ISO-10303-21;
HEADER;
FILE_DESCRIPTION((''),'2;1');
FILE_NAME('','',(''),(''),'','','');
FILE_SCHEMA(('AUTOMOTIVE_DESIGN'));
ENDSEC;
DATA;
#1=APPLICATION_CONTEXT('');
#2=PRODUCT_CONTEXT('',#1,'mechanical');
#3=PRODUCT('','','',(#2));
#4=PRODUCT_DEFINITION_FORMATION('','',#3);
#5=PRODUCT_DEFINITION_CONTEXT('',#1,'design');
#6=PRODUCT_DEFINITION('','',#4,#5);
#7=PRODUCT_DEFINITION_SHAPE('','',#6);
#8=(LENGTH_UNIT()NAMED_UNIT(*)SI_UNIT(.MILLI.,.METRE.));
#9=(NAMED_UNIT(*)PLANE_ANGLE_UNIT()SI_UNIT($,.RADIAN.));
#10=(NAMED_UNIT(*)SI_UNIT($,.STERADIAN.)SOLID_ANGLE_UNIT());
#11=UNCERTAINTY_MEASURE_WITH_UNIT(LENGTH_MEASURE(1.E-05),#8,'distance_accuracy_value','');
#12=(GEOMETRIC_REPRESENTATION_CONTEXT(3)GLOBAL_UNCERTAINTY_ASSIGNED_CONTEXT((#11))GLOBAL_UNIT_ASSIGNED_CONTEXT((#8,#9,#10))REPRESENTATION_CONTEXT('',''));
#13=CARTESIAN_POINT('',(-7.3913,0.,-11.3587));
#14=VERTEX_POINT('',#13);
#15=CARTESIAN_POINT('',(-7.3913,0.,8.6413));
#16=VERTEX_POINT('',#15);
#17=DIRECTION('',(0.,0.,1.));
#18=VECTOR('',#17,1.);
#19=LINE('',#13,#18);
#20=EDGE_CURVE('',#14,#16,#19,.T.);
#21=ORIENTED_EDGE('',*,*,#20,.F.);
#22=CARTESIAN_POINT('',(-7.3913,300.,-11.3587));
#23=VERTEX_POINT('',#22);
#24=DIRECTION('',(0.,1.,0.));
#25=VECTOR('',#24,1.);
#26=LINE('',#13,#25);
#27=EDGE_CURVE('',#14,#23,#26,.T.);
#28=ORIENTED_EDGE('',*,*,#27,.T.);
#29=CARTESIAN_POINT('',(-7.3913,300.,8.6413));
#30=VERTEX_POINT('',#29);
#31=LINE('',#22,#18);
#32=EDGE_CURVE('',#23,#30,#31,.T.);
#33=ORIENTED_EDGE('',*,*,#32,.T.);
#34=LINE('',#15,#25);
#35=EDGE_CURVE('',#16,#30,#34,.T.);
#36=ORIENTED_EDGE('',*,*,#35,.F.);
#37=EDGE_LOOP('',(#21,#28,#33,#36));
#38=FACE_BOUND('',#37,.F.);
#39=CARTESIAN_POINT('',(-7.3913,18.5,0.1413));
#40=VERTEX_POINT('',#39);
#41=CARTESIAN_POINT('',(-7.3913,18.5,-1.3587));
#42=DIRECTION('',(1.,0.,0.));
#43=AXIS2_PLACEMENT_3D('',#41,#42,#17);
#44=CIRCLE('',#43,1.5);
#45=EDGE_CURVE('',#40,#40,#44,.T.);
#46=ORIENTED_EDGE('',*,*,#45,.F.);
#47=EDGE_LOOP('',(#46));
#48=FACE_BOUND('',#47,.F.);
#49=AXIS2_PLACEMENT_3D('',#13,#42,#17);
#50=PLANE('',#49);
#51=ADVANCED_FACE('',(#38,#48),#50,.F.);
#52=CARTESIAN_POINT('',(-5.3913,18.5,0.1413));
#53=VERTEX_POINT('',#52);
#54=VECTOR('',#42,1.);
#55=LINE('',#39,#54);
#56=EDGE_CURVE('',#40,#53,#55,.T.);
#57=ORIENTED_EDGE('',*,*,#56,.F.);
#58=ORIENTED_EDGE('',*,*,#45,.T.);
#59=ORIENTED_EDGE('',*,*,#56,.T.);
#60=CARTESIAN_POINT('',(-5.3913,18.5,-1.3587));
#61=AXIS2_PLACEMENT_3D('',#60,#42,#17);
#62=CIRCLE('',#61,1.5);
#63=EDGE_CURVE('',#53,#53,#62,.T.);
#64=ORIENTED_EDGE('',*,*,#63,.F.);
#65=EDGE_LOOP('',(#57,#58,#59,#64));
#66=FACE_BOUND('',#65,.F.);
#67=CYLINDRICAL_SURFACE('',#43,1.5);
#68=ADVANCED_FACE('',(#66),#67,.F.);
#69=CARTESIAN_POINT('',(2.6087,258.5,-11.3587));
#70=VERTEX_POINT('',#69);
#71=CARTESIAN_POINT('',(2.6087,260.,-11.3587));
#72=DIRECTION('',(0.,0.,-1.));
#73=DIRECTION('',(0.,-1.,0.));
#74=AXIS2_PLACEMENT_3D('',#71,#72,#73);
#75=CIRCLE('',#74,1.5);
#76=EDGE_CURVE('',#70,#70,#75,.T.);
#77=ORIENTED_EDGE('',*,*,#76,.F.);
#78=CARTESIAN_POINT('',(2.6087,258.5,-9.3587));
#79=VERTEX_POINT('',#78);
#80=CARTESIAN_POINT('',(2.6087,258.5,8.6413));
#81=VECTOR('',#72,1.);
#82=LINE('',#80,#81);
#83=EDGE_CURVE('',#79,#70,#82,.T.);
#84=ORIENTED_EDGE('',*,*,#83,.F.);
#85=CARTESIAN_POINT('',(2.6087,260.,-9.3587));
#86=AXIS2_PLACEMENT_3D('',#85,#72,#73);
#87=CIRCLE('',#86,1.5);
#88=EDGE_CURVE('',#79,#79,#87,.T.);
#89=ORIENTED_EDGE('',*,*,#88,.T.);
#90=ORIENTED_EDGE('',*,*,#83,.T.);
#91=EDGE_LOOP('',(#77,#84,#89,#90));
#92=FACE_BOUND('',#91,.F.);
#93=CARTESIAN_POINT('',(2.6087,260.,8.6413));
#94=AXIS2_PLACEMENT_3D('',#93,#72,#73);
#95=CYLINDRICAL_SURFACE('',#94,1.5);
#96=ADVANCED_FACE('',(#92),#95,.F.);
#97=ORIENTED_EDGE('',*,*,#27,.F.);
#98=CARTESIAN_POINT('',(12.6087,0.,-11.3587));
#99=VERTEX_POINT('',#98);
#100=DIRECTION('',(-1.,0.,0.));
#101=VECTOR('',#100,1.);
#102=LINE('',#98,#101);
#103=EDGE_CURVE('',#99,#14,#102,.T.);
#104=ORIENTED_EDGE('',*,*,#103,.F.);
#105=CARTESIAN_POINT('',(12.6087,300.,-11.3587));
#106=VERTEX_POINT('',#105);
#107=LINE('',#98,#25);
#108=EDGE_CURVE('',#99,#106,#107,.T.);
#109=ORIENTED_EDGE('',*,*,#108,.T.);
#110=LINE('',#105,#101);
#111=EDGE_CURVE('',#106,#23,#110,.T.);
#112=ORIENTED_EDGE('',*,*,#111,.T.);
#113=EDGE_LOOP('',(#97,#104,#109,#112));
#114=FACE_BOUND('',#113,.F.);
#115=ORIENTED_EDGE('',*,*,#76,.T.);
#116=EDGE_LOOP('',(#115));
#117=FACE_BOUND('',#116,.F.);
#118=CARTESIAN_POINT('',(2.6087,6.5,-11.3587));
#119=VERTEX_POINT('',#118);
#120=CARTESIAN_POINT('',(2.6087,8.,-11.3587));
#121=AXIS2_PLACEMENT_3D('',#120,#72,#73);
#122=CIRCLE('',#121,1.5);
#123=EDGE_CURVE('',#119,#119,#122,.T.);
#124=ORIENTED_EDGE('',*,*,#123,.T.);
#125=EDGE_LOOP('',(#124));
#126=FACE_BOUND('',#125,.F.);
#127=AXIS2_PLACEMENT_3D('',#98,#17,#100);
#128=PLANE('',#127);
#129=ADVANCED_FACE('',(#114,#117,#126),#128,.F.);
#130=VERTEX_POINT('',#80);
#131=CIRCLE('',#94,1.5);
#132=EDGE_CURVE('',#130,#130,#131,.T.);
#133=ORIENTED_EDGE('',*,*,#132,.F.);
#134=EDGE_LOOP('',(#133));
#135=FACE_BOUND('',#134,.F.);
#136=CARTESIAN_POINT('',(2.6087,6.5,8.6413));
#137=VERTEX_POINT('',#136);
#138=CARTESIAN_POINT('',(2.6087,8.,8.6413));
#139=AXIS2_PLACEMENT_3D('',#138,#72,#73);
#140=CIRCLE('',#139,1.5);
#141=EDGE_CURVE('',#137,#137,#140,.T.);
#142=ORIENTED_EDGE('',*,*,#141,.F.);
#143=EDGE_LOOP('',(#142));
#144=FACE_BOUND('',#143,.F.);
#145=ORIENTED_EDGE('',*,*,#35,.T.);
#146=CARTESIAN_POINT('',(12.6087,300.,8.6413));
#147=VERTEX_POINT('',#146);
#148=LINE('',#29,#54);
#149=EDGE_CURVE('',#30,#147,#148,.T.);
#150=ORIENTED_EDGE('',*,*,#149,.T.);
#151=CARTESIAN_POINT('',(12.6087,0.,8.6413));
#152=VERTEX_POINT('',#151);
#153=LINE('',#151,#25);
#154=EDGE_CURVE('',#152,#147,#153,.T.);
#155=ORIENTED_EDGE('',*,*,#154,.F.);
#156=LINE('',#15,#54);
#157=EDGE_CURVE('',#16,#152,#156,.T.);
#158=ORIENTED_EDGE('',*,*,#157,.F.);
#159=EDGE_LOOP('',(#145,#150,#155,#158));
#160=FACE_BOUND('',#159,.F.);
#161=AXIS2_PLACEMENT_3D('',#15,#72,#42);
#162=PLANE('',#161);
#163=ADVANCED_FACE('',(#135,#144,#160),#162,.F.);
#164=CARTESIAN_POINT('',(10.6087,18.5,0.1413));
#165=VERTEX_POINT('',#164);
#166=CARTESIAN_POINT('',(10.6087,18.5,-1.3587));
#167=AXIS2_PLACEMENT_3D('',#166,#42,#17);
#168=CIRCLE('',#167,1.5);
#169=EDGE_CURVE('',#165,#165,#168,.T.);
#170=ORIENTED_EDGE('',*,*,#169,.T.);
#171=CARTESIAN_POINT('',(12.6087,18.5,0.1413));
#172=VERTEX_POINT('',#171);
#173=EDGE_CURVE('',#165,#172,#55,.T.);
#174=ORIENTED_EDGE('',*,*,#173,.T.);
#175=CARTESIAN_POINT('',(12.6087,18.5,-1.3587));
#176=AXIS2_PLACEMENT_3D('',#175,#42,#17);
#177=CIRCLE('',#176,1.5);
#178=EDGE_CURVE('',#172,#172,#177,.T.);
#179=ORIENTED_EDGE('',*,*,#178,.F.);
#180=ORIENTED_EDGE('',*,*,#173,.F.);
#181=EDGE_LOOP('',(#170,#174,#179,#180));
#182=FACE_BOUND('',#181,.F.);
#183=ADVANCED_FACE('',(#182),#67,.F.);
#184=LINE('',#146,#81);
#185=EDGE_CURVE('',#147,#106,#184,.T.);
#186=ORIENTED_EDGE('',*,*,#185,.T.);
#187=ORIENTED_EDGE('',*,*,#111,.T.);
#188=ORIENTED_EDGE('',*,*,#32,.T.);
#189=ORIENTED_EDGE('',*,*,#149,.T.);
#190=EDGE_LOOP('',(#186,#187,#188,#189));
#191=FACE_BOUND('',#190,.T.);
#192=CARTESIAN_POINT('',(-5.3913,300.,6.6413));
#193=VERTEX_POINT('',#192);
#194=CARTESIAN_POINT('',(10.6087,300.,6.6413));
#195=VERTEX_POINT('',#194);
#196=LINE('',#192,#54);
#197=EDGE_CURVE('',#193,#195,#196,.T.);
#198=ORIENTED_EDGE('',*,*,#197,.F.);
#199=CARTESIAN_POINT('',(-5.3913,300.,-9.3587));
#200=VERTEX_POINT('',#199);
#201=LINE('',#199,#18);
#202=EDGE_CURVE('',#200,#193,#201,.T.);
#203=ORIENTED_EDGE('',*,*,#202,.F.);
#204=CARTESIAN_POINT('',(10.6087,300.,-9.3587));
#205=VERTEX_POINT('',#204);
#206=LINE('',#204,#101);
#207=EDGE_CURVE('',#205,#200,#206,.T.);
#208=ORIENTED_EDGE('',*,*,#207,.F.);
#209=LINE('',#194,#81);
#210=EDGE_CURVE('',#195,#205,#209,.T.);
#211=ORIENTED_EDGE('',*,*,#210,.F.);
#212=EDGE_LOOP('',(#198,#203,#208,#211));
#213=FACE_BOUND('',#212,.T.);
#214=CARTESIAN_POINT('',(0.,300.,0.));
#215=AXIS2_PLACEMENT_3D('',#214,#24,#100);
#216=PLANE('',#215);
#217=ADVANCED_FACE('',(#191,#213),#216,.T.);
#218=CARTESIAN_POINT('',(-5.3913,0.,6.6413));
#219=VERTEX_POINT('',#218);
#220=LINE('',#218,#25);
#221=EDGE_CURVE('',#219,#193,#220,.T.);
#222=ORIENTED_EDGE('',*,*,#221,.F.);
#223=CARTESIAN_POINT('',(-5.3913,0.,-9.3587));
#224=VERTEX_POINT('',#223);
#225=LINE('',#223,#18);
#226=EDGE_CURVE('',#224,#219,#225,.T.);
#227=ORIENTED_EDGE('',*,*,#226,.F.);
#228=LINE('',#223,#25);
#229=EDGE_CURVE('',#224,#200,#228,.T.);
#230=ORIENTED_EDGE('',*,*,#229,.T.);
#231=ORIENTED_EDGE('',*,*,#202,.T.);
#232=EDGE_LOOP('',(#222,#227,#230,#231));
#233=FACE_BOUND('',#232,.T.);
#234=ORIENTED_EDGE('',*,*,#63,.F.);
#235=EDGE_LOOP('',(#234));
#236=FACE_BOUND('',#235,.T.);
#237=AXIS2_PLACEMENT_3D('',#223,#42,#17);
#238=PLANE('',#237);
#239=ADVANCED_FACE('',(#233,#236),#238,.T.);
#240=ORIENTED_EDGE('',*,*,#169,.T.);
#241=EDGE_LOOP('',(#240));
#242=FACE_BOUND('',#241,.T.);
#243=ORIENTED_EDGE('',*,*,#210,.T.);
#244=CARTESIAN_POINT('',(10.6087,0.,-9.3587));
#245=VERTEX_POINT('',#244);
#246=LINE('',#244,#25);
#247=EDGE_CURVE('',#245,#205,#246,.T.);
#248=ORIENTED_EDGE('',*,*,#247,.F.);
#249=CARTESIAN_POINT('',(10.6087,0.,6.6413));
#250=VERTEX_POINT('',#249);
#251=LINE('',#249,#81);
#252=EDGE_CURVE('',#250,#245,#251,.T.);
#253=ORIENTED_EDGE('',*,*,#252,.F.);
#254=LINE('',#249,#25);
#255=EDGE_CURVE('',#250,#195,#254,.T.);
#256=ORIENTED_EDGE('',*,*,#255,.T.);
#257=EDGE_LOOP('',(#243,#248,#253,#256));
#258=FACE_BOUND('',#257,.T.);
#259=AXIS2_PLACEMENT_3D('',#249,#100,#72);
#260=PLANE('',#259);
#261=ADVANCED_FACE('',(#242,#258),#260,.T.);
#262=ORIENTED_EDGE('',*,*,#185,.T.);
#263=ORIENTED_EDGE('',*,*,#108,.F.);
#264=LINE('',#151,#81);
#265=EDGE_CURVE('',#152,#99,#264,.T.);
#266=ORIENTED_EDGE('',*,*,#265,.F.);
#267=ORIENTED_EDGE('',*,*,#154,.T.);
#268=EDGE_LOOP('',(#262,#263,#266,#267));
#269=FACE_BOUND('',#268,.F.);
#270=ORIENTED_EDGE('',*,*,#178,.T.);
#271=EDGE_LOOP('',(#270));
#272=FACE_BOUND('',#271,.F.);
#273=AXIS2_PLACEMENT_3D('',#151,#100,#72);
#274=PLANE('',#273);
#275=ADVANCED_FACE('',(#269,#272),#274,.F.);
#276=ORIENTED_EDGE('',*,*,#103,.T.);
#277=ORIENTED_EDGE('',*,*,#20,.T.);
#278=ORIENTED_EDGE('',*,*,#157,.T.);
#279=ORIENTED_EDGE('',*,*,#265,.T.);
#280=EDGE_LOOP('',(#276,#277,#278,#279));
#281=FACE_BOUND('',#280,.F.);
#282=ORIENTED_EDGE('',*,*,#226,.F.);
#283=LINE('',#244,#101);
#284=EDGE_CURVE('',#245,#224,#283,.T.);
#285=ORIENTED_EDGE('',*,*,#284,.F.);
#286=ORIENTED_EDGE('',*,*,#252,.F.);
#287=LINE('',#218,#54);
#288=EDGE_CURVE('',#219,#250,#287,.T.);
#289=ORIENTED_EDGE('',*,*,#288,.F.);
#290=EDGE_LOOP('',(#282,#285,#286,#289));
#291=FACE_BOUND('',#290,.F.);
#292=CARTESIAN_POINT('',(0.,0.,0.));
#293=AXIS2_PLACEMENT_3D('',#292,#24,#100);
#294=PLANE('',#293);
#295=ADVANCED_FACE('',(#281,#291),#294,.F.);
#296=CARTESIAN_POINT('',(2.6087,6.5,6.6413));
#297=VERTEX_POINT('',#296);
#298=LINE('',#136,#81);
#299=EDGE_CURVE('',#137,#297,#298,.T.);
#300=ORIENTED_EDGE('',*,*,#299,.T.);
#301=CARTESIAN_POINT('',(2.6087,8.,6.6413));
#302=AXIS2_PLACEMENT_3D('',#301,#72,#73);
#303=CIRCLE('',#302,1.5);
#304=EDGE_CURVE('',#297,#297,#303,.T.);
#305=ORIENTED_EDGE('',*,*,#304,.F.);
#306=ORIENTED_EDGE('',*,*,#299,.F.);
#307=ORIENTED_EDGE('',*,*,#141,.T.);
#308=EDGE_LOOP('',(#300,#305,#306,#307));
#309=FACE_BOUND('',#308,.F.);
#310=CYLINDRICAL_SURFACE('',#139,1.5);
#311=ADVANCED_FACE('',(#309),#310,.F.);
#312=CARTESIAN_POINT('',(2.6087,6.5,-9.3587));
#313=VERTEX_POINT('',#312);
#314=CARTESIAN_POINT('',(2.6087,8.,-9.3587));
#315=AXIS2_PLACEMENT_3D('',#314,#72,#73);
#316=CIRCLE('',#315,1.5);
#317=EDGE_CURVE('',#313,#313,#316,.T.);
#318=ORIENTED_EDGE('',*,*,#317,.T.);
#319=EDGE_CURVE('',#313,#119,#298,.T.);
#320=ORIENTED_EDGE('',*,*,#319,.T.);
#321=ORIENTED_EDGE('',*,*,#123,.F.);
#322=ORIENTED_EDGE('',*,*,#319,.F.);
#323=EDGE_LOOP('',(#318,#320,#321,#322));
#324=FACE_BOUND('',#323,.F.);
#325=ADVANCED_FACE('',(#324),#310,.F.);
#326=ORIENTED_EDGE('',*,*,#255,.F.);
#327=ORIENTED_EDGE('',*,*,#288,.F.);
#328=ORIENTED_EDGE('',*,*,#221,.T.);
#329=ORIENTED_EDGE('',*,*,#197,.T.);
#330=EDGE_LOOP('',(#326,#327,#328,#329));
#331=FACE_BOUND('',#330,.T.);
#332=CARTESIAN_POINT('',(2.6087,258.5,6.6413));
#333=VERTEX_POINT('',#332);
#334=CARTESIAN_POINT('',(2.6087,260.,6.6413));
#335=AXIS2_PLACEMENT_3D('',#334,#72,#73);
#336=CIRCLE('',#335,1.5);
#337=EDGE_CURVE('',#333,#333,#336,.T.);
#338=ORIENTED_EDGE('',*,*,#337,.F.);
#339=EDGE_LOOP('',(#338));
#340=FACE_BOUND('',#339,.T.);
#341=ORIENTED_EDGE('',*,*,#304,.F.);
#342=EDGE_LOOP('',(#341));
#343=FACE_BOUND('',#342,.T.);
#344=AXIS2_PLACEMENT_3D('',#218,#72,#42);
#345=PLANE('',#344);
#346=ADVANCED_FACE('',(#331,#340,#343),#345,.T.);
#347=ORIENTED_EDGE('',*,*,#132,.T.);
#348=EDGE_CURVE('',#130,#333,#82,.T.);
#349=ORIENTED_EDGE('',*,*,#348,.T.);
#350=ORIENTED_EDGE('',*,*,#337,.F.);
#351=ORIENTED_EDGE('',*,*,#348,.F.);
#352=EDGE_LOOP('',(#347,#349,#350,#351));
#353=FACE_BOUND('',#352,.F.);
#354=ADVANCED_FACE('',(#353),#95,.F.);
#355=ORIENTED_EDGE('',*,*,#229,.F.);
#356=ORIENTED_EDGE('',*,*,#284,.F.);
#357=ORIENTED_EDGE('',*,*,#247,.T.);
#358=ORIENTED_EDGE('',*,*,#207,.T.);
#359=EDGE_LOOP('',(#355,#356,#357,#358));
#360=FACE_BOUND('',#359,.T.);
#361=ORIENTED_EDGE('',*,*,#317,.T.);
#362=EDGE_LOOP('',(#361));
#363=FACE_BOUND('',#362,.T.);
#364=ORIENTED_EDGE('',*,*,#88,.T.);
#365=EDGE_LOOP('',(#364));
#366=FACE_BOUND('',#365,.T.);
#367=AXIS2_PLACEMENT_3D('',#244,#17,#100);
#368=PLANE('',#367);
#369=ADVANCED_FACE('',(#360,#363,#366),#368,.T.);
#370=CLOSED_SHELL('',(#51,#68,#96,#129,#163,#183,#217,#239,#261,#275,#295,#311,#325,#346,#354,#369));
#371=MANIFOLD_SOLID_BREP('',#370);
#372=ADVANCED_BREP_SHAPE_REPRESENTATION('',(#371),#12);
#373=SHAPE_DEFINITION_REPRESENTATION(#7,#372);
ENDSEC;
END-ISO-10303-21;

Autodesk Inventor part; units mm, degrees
ref_plane "YZ Plane" through (0, 0, 0) normal (1, 0, 0) x (0, 1, 0)
ref_plane "XZ Plane" through (0, 0, 0) normal (0, 1, 0) x (-1, 0, 0)
ref_plane "XY Plane" through (0, 0, 0) normal (0, 0, 1) x (1, 0, 0)
sketch "Sketch1" plane through (0, 0, 0) normal (0, 1, 0) x (-1, 0, 0)
  line L0 (7.3913, 8.6413) -> (-12.6087, 8.6413)
  line L1 (-12.6087, 8.6413) -> (-12.6087, -11.3587)
  line L2 (-12.6087, -11.3587) -> (7.3913, -11.3587)
  line L3 (7.3913, -11.3587) -> (7.3913, 8.6413)
  line L4 (5.3913, 6.6413) -> (-10.6087, 6.6413)
  line L5 (-10.6087, 6.6413) -> (-10.6087, -9.3587)
  line L6 (-10.6087, -9.3587) -> (5.3913, -9.3587)
  line L7 (5.3913, -9.3587) -> (5.3913, 6.6413)
  point P0 (0, 0)
  dimension "d0" = 20
  dimension "d1" = 20
  dimension "d2" = 2
  dimension "d3" = 2
  dimension "d4" = 2
  dimension "d5" = 2
extrude "Extrusion1" add sketch "Sketch1" along normal blind 300
sketch "Sketch2" plane through (-7.3913, 0, 8.6413) normal (0, 0, 1) x (1, 0, 0)
  circle A0 centre (10, 8) radius 1.5
  line L0 (0, 0) -> (0, 300) projected
  line L1 (0, 0) -> (20, 0) projected
  circle A1 centre (10, 260) radius 1.5
  line L2 (0, 300) -> (20, 300) projected
  point P0 (7.3913, 0)
  dimension "d8" = 3
  dimension "d9" = 10
  dimension "d10" = 8
  dimension "d28" = 3
  dimension "d29" = 10
  dimension "d30" = 40
hole "Hole1" at (2.6087, 8, 8.6413) at (2.6087, 260, 8.6413) direction (0, 0, -1) diameter 3 end through all
sketch "Sketch3" plane through (-7.3913, 0, -11.3587) normal (-1, 0, 0) x (0, 0, 1)
  circle A0 centre (10, 18.5) radius 1.5
  line L0 (0, 0) -> (20, 0) projected
  line L1 (0, 0) -> (0, 300) projected
  point P0 (11.3587, 0)
  dimension "d18" = 18.5
  dimension "d19" = 10
  dimension "d20" = 3
hole "Hole2" at (-7.3913, 18.5, -1.3587) direction (1, 0, 0) diameter 3 end through all
properties part number "profile_alu"
